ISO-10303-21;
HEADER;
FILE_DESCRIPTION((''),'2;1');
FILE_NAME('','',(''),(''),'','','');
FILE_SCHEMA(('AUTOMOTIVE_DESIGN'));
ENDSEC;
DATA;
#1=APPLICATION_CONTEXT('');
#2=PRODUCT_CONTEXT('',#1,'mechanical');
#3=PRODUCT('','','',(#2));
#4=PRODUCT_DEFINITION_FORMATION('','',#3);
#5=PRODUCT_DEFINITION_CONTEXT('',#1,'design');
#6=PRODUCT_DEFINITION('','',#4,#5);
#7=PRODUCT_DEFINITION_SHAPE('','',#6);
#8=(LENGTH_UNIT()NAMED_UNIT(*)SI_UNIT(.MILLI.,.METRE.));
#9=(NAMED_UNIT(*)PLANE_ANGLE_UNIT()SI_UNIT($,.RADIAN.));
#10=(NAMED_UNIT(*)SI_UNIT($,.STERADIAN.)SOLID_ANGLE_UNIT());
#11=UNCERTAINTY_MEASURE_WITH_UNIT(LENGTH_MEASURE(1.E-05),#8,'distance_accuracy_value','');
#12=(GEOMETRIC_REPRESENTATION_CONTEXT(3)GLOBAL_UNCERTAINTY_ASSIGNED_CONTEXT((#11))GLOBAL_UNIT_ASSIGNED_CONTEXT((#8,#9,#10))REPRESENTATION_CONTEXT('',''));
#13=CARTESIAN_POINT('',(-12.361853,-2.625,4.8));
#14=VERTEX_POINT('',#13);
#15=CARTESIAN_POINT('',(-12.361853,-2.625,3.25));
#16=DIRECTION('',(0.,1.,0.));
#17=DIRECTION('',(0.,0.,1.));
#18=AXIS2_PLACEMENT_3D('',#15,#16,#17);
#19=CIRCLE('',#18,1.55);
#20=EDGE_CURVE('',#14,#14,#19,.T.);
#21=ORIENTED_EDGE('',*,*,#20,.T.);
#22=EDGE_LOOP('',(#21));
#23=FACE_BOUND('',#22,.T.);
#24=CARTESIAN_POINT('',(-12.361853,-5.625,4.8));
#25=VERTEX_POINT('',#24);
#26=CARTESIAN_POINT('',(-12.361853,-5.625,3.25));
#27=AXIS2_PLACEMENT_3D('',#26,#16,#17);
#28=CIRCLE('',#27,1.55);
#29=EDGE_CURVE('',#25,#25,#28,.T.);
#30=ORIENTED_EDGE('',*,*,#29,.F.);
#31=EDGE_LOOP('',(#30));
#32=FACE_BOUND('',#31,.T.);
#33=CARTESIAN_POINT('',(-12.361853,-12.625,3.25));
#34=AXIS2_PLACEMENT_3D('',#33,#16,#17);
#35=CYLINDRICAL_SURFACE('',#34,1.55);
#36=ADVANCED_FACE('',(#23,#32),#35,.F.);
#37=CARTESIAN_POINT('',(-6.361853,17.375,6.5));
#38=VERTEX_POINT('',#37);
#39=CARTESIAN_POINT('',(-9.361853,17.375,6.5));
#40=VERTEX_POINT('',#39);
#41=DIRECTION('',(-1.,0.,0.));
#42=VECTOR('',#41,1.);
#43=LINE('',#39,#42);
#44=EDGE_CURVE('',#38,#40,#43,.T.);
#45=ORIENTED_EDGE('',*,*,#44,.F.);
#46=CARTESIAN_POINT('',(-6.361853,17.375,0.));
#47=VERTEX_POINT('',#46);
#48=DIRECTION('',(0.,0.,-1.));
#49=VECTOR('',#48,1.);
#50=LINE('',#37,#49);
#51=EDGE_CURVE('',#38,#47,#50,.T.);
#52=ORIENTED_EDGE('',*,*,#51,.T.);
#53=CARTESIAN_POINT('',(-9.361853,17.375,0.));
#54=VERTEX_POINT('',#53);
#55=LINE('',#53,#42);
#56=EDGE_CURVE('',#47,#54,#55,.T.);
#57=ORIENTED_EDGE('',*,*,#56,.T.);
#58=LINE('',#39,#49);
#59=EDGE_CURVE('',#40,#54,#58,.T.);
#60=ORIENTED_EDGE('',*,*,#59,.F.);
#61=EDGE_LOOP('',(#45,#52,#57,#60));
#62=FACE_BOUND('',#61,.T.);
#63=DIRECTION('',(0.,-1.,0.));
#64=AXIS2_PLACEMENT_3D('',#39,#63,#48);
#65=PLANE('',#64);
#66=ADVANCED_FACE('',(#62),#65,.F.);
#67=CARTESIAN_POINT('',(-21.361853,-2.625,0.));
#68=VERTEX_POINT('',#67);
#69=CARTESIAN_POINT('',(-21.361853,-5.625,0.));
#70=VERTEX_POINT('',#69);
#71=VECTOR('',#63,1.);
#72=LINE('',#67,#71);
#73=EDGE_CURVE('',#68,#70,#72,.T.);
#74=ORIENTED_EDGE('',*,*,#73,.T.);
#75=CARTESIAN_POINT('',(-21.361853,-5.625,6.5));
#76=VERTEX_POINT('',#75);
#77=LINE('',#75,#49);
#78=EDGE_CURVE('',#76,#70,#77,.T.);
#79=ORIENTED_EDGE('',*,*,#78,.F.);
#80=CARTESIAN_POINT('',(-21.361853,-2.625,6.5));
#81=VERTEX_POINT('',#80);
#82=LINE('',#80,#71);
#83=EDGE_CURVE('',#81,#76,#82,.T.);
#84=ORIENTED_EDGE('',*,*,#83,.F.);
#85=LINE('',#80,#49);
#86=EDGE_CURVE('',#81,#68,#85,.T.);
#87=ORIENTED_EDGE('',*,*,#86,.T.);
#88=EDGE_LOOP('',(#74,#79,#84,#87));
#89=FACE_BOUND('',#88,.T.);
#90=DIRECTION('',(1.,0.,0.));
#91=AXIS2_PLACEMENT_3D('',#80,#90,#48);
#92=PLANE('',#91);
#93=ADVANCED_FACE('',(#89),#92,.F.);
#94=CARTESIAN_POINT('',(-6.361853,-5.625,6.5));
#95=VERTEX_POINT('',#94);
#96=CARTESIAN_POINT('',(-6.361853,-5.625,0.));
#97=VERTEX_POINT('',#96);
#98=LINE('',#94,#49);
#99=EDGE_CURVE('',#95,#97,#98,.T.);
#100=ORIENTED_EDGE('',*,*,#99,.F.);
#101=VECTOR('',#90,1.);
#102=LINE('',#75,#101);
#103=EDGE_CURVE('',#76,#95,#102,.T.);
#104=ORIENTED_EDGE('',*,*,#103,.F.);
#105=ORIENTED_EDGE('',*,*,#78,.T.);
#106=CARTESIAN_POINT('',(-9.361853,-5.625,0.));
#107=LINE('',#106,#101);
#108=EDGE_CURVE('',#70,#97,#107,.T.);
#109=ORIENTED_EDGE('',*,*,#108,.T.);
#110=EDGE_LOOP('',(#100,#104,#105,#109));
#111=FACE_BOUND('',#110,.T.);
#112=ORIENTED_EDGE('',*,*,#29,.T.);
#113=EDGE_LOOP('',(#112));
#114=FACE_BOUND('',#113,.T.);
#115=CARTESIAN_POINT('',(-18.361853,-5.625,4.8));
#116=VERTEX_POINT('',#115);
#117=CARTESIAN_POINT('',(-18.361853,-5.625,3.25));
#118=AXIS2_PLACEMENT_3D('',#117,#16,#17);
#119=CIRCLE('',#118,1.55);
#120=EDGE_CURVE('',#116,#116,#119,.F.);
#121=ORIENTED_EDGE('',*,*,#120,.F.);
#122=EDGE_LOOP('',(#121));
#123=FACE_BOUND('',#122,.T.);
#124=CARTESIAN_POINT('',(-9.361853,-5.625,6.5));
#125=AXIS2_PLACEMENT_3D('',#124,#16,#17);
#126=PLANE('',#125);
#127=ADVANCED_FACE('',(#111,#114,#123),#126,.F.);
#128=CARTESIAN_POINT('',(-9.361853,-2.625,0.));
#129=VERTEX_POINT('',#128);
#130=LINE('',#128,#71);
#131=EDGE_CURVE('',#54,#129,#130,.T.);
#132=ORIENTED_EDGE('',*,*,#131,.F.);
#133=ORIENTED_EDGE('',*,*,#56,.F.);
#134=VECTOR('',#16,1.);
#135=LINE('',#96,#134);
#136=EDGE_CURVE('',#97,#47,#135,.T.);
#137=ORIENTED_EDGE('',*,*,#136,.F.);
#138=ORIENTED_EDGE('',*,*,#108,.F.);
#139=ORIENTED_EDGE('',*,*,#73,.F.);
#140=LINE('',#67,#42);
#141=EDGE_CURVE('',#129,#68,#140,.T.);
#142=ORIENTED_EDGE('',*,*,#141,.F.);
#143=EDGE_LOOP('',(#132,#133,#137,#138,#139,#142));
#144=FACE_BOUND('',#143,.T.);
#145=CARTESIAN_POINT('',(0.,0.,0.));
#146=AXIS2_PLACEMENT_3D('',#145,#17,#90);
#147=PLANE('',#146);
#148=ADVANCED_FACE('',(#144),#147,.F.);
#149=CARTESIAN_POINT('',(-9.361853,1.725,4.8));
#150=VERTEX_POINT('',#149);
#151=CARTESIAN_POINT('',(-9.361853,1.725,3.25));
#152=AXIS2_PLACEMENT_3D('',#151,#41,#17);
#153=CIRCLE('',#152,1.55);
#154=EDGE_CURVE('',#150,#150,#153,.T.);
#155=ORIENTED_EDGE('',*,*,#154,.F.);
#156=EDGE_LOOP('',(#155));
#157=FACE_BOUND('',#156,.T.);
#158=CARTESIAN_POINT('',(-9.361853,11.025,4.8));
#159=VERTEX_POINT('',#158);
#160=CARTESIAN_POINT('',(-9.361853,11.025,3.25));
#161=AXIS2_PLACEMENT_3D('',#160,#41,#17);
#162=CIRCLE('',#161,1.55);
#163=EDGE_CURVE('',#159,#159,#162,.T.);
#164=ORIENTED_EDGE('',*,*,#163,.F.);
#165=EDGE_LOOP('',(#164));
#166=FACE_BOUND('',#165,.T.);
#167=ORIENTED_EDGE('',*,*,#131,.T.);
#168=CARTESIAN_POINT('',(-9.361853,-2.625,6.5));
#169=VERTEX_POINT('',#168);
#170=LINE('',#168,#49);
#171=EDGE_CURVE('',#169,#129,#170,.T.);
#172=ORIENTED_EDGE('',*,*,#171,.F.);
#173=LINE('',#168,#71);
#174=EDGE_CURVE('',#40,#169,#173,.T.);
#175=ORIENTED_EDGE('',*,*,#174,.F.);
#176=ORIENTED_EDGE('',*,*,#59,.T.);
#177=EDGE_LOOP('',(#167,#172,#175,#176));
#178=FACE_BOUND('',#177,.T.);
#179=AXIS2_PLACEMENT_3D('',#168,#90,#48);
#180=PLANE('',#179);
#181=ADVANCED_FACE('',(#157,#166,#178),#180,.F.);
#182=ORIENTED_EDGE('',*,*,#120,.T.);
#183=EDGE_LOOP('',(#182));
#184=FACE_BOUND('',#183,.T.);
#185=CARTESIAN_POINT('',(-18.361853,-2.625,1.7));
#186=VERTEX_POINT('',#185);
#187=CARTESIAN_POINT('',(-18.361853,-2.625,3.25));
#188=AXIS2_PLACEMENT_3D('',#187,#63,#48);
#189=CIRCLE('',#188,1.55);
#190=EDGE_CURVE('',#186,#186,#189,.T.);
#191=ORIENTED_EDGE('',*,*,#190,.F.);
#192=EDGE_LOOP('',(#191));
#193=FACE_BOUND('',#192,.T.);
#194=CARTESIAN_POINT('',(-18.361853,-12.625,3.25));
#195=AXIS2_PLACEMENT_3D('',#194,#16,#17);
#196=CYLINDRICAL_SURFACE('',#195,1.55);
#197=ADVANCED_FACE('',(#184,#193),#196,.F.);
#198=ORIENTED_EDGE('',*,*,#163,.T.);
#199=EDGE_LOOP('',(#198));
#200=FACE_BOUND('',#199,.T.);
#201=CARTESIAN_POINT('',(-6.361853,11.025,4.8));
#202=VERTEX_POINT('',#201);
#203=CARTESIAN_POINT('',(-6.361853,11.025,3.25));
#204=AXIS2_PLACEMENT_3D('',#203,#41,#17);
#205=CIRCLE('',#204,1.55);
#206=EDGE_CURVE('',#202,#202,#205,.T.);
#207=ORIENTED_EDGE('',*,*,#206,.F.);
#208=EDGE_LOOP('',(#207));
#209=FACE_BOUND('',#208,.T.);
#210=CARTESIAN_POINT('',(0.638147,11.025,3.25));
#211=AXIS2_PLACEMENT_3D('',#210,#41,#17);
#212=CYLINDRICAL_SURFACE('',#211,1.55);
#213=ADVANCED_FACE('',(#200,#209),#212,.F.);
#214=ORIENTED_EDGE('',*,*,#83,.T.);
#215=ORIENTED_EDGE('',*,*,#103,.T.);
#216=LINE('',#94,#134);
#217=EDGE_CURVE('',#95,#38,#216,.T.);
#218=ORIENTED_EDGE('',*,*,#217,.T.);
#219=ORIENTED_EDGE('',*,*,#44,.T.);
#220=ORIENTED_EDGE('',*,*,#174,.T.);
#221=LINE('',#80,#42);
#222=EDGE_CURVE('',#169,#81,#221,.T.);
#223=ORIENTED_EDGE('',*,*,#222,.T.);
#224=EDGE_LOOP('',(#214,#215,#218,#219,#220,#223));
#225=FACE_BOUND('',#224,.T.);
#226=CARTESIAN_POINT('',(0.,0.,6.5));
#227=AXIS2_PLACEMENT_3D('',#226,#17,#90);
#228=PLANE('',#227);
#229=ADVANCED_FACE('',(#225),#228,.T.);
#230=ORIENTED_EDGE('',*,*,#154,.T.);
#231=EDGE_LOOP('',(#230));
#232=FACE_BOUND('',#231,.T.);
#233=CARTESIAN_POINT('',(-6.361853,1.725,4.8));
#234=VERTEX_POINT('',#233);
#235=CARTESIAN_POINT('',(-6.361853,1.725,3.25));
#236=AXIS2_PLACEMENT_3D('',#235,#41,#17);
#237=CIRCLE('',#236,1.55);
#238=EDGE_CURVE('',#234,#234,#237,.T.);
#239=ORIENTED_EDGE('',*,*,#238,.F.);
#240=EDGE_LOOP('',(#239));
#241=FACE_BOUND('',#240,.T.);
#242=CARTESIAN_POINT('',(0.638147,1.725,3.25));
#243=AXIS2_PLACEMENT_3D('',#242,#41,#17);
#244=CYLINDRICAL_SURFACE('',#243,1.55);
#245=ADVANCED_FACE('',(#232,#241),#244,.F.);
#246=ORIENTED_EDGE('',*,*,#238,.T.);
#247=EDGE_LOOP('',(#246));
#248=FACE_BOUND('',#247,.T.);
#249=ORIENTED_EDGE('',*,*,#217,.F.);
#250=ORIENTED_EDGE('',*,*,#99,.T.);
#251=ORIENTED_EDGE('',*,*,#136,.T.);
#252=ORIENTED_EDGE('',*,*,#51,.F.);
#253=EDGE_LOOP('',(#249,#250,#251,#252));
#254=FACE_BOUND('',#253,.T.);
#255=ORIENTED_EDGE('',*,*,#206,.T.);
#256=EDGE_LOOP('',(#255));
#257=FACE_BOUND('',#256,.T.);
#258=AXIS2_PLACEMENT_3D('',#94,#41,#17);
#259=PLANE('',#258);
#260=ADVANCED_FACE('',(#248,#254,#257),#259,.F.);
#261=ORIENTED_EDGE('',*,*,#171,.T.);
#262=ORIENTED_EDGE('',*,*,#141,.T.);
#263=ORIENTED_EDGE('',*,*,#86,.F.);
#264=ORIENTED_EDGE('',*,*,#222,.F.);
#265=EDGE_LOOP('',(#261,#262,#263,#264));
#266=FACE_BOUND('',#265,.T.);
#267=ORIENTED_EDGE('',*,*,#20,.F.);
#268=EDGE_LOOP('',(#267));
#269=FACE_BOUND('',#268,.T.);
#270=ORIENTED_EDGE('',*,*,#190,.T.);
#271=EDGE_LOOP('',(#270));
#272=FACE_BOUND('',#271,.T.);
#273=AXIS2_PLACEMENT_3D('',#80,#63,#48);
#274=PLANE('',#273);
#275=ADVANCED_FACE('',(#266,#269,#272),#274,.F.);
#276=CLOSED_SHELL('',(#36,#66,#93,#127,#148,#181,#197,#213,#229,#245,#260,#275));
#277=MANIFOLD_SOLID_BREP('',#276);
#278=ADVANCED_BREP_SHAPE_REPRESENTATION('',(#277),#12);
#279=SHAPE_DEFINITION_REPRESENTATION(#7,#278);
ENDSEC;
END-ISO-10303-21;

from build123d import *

# Parameters (mm, degrees)
BOSS_EXTRUDE1_DEPTH = 6.5
SKETCH2_R           = 1.55
CUT_EXTRUDE1_DEPTH  = 10
SKETCH3_R           = 1.55
CUT_EXTRUDE2_DEPTH  = 10


with BuildPart() as part:
    # Sketch1 → Boss-Extrude1 (new body)
    with BuildSketch(Plane.XY):
        Polygon((-21.361853088, -2.625), (-9.361853088, -2.625), (-9.361853088, 17.375), (-6.361853088, 17.375), (-6.361853088, -5.625), (-9.361853088, -5.625), (-21.361853088, -5.625), align=None)
    extrude(amount=BOSS_EXTRUDE1_DEPTH)

    # Sketch2 → Cut-Extrude1 (cut)
    with BuildSketch(Plane(origin=(0, -2.625, 0), x_dir=(1, 0, 0), z_dir=(0, 1, 0))):
        with Locations(Location((-12.361853088, -3.25, 0), (0, 0, 270))):
            Circle(SKETCH2_R)
        with Locations(Location((-18.361853088, -3.25, 0), (0, 0, 270))):
            Circle(SKETCH2_R)
    extrude(amount=-CUT_EXTRUDE1_DEPTH, mode=Mode.SUBTRACT)

    # Sketch3 → Cut-Extrude2 (cut)
    with BuildSketch(Plane.ZY.offset(9.361853088)):
        with Locations((3.25, 1.725)):
            Circle(SKETCH3_R)
        with Locations((3.25, 11.025)):
            Circle(SKETCH3_R)
    extrude(amount=-CUT_EXTRUDE2_DEPTH, mode=Mode.SUBTRACT)


solid = part.part
